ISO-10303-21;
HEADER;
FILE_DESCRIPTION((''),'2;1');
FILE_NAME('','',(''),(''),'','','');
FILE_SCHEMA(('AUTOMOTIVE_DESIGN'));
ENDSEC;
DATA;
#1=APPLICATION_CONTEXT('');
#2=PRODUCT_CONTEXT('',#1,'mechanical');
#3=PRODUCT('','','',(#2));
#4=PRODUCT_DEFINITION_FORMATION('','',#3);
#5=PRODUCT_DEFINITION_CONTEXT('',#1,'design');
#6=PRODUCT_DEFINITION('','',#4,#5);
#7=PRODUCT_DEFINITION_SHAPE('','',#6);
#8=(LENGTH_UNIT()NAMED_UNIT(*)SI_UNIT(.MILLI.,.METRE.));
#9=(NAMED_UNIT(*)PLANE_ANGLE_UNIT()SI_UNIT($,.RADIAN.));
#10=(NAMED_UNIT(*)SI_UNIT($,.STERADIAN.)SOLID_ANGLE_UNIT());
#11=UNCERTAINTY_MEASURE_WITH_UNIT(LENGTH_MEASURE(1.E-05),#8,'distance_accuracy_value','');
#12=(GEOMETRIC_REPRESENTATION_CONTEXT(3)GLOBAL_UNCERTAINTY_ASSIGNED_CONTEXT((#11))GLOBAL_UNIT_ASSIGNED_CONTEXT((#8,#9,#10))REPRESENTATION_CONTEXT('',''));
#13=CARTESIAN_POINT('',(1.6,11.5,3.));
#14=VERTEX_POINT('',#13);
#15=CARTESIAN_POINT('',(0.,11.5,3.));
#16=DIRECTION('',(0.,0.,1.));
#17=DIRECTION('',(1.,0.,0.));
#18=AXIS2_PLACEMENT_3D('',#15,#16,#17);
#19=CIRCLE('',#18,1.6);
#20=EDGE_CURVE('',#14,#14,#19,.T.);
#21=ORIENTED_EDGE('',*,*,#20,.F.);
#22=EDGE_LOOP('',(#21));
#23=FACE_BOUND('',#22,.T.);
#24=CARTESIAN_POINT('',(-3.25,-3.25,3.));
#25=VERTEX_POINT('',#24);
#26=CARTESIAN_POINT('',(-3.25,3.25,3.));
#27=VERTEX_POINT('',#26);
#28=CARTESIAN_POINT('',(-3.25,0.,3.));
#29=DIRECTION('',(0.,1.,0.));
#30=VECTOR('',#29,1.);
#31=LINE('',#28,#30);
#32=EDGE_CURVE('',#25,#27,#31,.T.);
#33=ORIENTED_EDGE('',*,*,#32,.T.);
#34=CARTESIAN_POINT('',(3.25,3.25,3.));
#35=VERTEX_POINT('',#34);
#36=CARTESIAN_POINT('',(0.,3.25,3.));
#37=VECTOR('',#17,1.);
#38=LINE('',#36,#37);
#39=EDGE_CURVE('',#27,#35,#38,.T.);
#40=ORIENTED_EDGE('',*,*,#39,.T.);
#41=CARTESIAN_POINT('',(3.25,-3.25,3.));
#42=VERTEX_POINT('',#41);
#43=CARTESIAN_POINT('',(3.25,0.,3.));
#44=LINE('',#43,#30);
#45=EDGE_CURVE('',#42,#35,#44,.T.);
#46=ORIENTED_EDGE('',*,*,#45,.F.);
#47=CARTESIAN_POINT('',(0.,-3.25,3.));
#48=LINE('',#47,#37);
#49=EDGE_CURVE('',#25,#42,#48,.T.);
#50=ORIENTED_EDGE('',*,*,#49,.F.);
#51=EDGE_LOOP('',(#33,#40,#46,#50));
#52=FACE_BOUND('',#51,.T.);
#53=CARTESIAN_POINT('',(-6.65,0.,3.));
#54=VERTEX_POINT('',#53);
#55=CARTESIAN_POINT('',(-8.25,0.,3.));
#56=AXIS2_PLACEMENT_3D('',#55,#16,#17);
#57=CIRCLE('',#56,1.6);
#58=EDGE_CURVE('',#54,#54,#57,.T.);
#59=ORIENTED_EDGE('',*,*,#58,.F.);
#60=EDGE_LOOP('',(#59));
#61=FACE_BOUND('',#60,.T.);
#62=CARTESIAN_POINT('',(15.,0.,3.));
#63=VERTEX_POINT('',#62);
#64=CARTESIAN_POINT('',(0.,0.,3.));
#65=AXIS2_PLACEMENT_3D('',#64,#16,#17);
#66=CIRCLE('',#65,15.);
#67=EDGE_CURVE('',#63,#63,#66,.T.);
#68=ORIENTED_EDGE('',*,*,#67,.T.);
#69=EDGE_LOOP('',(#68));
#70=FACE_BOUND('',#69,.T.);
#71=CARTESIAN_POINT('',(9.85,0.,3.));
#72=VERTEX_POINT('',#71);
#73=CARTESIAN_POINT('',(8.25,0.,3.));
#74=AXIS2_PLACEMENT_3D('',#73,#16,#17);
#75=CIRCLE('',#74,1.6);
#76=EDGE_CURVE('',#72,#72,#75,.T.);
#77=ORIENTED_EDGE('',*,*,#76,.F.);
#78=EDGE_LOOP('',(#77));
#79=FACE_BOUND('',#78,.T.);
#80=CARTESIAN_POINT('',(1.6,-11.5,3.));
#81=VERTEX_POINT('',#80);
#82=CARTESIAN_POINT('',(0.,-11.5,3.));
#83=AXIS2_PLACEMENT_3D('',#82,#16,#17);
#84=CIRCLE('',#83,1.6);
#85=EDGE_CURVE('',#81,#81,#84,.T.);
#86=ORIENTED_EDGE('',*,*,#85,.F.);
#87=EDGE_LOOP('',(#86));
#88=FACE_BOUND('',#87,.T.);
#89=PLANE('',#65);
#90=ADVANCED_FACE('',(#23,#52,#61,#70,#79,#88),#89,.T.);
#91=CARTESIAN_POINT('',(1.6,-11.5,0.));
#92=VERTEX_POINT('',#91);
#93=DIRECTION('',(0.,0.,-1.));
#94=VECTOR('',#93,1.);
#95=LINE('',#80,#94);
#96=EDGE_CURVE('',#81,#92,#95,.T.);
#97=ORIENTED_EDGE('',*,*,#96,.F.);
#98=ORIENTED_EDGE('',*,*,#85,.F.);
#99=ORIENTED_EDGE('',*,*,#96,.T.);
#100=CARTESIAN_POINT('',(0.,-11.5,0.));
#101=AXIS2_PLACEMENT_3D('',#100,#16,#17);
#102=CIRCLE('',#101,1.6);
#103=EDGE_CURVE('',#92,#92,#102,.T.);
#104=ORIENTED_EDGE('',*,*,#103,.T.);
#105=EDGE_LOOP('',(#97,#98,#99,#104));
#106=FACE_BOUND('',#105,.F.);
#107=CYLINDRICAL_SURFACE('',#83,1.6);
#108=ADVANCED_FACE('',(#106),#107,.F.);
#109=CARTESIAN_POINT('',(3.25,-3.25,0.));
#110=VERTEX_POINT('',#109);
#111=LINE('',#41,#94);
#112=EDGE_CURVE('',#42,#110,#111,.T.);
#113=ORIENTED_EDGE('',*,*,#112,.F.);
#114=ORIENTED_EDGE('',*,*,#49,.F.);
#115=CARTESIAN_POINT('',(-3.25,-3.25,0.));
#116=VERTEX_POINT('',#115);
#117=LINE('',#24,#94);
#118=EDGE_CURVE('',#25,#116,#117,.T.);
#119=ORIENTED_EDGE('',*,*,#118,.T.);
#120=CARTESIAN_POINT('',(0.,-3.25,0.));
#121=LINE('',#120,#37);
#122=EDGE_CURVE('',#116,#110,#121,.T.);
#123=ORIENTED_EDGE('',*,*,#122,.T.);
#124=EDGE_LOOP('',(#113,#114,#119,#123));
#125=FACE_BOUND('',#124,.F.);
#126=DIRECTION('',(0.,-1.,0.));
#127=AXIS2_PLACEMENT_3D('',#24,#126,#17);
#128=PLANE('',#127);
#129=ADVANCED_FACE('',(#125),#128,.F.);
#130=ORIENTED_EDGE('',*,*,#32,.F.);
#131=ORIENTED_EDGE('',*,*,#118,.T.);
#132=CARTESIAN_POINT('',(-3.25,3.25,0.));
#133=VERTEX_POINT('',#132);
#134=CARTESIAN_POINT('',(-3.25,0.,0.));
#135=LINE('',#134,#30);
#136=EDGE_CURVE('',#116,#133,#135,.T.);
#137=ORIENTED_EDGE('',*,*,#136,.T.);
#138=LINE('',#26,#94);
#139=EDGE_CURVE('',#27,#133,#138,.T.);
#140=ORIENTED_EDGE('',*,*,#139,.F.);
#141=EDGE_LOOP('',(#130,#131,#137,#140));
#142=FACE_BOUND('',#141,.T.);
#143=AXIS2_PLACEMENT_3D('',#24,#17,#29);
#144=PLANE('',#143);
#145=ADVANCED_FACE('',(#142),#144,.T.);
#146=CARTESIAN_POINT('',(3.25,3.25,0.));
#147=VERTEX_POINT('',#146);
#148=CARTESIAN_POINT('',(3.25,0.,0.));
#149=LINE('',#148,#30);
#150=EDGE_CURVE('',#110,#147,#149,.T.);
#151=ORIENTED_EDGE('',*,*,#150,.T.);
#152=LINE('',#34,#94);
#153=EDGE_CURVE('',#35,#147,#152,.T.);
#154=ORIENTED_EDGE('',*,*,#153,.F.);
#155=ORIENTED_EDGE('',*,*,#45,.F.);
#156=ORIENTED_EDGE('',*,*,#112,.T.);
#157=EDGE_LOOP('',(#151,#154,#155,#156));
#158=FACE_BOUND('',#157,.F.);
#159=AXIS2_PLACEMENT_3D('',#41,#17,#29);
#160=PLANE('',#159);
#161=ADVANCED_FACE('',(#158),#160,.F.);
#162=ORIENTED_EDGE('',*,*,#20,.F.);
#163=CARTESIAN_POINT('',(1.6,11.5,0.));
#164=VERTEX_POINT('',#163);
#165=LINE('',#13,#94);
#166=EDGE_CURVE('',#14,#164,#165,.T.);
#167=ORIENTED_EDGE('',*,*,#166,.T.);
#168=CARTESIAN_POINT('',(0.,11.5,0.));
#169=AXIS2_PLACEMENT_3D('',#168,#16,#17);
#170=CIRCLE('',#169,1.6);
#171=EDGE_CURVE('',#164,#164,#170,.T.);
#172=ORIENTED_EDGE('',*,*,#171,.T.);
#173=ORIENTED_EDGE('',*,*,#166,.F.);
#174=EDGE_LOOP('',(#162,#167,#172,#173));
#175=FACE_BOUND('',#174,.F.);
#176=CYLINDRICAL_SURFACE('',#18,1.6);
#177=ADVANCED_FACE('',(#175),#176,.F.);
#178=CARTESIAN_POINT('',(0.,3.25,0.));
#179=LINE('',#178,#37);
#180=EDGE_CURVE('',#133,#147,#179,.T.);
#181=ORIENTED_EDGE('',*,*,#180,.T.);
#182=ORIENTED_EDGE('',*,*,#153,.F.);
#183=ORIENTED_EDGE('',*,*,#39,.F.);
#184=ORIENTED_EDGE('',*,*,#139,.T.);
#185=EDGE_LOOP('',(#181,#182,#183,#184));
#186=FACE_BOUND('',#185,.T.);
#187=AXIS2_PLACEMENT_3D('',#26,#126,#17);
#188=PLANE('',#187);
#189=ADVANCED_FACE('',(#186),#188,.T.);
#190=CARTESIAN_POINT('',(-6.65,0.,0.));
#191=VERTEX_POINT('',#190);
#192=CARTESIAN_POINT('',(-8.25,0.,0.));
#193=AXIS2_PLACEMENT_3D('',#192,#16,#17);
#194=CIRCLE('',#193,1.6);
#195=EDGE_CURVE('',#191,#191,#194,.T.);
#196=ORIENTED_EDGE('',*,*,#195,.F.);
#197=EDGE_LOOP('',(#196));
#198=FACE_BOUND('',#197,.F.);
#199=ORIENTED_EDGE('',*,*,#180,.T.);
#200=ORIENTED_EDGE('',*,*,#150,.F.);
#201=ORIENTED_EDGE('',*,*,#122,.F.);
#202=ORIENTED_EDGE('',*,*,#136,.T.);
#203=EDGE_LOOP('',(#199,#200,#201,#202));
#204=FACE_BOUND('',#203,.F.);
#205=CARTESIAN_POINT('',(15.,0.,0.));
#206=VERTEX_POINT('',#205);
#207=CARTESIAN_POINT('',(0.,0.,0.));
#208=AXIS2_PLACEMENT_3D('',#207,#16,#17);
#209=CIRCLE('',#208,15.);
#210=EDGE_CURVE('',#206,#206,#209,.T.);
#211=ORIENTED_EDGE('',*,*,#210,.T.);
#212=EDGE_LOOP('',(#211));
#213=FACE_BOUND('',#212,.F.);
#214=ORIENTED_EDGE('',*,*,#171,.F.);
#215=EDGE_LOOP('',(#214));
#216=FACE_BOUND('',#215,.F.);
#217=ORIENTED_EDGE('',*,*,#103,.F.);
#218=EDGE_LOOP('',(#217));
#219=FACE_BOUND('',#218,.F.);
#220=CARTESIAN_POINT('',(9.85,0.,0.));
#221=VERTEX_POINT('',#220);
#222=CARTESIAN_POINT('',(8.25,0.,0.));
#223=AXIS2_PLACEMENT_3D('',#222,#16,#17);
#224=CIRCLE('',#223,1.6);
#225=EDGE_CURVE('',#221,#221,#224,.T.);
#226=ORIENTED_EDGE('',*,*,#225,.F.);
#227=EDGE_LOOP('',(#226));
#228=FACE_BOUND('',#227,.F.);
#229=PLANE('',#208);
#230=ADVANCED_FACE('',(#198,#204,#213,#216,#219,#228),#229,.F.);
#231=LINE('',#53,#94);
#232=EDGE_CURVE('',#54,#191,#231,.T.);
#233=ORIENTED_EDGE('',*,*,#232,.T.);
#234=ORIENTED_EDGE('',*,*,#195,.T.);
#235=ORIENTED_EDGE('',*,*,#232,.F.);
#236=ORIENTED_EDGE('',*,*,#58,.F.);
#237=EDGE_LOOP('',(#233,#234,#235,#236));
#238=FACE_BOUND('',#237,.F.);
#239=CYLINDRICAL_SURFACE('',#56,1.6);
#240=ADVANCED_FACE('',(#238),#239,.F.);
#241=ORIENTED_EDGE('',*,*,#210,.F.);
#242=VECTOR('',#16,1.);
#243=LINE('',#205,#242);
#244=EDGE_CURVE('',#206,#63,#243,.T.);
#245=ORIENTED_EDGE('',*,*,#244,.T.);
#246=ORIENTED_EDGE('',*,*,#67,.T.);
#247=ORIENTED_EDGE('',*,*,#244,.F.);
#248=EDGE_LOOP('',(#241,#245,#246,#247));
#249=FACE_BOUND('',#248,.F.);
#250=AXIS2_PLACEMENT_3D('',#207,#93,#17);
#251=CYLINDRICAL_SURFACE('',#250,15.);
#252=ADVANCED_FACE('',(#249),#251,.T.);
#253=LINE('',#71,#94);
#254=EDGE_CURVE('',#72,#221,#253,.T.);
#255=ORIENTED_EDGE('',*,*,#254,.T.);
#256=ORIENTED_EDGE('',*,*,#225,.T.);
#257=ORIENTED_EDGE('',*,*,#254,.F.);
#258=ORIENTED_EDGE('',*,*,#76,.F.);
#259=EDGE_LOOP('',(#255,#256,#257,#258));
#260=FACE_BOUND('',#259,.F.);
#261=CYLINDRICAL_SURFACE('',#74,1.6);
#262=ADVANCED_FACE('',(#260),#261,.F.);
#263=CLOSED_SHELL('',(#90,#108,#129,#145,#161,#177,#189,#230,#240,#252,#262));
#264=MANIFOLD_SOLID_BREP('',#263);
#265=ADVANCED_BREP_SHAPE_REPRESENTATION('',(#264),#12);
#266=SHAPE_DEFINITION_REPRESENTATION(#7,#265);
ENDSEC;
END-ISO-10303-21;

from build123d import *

# Parameters (mm, degrees)
F0_R     = 15
F1_DEPTH = 3
F2_R     = 1.6
F2_W     = 6.5
F2_H     = 6.5
F3_DEPTH = 3


with BuildPart() as f1:
    # F0 (on Top) → F1 (new body)
    with BuildSketch(Plane.XY):
        Circle(F0_R)
    extrude(amount=F1_DEPTH)

    # F2 (on face) → F3 (cut, through all)
    with BuildSketch(Plane.XY.offset(3)):
        with Locations((0, 11.5)):
            Circle(F2_R)
        with Locations((0, -11.5)):
            Circle(F2_R)
        with Locations((-8.25, 0)):
            Circle(F2_R)
        with Locations((8.25, 0)):
            Circle(F2_R)
        Rectangle(F2_W, F2_H)
    extrude(amount=-F3_DEPTH, mode=Mode.SUBTRACT)


solid = f1.part
